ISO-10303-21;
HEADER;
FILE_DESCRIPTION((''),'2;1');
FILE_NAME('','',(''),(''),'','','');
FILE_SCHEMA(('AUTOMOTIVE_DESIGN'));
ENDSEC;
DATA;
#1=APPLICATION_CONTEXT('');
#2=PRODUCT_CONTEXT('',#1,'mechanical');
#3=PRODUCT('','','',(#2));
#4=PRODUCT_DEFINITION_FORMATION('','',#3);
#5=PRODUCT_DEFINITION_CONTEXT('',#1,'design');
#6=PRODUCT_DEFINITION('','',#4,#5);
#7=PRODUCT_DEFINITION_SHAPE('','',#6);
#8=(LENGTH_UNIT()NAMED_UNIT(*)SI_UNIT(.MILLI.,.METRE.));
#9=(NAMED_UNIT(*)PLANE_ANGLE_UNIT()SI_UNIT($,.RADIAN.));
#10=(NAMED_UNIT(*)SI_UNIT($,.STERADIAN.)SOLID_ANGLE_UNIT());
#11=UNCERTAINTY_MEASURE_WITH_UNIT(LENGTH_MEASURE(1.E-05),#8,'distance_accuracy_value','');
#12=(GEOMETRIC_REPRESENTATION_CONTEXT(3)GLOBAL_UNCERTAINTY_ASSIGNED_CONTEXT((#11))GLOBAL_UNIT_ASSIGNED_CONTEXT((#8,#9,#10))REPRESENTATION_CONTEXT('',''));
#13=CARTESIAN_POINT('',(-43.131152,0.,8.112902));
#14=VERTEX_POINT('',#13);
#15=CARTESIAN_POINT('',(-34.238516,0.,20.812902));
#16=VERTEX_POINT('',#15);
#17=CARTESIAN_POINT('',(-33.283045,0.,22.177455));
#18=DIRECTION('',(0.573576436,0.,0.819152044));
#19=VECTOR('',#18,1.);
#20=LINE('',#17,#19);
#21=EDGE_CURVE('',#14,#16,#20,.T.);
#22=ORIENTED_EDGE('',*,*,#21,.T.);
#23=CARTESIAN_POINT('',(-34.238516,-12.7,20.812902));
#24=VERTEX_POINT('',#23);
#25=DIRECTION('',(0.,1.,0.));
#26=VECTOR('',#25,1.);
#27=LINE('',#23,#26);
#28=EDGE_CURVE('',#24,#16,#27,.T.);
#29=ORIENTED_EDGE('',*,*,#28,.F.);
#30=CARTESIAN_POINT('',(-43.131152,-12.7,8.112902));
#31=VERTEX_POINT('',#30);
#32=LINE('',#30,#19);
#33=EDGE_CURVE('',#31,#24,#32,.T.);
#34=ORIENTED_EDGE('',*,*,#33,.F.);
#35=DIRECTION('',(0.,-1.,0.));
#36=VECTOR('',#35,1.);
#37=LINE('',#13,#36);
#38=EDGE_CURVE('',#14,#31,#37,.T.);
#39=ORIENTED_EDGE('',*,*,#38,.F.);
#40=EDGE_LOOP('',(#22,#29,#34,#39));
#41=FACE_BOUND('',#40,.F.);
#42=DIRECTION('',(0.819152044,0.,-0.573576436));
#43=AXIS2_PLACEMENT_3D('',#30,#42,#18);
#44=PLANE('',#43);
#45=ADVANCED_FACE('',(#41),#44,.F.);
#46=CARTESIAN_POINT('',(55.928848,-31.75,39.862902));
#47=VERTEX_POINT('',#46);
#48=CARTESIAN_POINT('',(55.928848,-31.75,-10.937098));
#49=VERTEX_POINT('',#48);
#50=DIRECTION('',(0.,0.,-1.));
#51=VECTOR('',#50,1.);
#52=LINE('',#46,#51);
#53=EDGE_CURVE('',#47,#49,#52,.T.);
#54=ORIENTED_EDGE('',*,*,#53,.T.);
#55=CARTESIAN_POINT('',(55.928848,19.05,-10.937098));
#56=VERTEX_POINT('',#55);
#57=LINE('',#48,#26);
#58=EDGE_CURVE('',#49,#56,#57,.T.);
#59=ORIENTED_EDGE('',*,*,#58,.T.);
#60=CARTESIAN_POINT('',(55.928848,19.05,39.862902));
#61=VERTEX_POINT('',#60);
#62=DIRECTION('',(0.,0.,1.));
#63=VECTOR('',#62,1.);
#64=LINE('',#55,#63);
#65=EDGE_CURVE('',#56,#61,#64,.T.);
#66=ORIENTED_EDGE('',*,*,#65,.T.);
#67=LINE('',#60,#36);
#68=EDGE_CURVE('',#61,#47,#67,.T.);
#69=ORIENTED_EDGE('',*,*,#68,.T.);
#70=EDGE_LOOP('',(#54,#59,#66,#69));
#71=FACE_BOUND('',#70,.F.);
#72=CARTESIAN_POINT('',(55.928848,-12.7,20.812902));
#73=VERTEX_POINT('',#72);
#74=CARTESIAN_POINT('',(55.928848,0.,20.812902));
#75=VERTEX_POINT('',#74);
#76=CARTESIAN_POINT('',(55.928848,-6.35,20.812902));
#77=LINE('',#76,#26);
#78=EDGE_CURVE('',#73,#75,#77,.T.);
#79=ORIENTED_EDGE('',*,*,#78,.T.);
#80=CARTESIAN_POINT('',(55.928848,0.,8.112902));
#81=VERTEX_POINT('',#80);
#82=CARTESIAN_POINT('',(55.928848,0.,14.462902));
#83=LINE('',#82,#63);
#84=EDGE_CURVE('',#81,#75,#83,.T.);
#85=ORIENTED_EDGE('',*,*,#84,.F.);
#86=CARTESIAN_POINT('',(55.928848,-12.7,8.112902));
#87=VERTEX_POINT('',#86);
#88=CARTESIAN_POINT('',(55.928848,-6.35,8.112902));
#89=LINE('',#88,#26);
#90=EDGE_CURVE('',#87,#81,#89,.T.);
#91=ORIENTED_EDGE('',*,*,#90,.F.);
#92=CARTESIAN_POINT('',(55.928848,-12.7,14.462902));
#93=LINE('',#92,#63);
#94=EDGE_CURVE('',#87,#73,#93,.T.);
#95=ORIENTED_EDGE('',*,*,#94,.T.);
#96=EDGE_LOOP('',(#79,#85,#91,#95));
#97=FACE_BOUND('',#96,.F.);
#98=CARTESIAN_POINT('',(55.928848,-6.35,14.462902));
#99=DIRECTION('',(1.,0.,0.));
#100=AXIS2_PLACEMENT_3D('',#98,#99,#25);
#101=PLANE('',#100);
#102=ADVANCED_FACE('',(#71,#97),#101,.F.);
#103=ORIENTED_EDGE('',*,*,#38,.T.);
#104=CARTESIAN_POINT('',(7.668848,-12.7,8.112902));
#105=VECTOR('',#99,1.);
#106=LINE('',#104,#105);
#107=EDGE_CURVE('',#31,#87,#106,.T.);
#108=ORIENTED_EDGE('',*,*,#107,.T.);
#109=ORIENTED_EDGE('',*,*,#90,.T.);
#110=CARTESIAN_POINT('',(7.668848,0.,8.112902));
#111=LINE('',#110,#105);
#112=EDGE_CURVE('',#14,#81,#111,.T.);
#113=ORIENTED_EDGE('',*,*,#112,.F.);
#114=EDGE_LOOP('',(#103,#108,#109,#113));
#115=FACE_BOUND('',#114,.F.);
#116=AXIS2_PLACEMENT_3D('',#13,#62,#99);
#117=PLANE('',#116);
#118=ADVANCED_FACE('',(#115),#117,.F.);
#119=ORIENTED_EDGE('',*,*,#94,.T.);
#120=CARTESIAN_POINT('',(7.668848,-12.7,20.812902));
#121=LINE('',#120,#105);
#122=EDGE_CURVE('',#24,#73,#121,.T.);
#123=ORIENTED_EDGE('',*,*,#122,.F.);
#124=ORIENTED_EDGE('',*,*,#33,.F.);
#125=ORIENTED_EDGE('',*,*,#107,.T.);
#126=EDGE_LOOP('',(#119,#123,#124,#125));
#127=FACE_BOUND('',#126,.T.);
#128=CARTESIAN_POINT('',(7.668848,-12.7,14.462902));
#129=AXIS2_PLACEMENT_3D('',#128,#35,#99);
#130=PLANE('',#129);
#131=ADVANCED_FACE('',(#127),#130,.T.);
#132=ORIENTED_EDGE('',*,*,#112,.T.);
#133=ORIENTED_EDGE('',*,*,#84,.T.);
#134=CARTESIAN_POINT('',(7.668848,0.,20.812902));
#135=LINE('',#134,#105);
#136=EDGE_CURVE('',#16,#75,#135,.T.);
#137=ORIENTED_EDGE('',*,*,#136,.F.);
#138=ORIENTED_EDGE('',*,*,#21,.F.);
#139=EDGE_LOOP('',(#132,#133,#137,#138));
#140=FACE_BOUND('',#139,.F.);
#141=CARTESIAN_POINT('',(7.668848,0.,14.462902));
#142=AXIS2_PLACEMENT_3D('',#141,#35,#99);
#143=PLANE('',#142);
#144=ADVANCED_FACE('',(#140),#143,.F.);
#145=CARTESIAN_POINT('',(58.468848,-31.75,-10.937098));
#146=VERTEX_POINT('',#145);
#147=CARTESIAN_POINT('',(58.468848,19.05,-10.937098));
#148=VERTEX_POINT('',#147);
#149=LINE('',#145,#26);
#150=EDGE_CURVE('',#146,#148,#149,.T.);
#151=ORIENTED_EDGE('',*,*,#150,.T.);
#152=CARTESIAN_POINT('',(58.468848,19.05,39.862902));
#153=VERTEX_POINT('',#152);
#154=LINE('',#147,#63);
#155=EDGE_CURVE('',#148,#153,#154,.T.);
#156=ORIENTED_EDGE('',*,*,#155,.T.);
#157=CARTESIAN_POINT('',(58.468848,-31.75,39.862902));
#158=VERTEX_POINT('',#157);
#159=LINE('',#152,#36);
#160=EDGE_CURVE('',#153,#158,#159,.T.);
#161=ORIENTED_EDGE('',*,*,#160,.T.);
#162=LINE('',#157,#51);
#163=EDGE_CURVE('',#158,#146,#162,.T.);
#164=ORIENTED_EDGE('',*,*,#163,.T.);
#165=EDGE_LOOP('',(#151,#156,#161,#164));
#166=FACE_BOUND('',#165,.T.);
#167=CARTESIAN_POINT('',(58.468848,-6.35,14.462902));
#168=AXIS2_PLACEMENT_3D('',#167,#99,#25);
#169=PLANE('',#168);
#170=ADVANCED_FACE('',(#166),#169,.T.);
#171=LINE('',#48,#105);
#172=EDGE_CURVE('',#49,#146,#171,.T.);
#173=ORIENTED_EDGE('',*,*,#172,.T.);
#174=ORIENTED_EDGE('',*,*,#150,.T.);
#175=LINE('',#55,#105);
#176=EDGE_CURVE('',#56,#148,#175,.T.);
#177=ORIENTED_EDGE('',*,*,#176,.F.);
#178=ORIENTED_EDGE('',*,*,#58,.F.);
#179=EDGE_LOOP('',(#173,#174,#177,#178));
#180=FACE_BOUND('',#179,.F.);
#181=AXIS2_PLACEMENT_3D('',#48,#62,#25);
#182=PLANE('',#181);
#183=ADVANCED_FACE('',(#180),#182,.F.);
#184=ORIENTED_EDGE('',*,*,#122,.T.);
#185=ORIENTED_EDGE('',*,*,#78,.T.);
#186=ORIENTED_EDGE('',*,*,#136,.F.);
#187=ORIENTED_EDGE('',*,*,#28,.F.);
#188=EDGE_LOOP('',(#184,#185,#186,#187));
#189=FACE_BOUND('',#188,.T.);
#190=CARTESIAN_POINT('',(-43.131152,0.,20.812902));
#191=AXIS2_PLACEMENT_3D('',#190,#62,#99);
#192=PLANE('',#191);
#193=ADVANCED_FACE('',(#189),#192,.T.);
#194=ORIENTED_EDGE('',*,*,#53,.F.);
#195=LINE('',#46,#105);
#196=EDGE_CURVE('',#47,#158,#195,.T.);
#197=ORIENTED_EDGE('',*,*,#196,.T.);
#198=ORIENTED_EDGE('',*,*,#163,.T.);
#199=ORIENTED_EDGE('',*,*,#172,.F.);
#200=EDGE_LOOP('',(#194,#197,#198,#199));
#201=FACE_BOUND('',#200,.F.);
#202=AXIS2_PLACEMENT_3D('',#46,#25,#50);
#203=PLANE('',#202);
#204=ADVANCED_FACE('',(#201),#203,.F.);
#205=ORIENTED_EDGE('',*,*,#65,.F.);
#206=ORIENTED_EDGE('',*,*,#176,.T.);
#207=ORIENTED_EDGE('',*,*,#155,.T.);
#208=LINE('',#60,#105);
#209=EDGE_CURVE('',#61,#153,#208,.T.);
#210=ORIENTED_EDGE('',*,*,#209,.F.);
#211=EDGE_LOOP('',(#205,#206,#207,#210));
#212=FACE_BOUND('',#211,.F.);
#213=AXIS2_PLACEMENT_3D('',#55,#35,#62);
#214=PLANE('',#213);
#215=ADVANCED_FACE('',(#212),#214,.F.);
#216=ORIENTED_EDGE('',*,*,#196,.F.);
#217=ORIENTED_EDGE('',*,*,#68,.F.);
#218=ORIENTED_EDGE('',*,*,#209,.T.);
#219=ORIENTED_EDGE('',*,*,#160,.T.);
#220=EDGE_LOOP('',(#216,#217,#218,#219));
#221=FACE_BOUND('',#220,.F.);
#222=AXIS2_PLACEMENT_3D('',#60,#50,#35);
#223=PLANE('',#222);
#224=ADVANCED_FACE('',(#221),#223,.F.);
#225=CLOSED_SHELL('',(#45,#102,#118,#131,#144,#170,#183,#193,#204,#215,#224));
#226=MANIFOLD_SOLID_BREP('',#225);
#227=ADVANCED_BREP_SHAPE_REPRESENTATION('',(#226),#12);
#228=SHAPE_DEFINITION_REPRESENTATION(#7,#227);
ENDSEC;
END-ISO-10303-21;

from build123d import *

# Parameters (mm, degrees)
F0_W     = 101.6
F0_H     = 12.7
F1_DEPTH = 12.7
F3_DEPTH = 25.4
F4_W     = 12.7
F4_H     = 12.7
F5_DEPTH = 2.54
F7_DEPTH = 2.54


with BuildPart() as f1:
    # F0 (on Front) → F1 (new body)
    with BuildSketch(Plane.XZ):
        with Locations((7.6688484669, 14.4629018217)):
            Rectangle(F0_W, F0_H)
    extrude(amount=F1_DEPTH)

    # F2 (on face) → F3 (cut)
    with BuildSketch(Plane.XZ.offset(12.7)):
        Polygon((-43.1311515331, 20.8129018217), (-43.1311515331, 8.1129018217), (-34.2385157979, 20.8129018217), align=None)
    extrude(amount=-F3_DEPTH, mode=Mode.SUBTRACT)

    # F4 (on face) → F5 (cut)
    with BuildSketch(Plane.YZ.offset(58.4688484669)):
        with Locations((-6.35, 14.4629018217)):
            Rectangle(F4_W, F4_H)
    extrude(amount=-F5_DEPTH, mode=Mode.SUBTRACT)

    # F6 (on face) → F7 (join)
    with BuildSketch(Plane.YZ.offset(55.9288484669)):
        Polygon((-31.75, 39.8629018217), (-31.75, 20.8129018217), (-31.75, -10.9370981783), (19.05, -10.9370981783), (19.05, 39.8629018217), align=None)
    extrude(amount=F7_DEPTH)


solid = f1.part
